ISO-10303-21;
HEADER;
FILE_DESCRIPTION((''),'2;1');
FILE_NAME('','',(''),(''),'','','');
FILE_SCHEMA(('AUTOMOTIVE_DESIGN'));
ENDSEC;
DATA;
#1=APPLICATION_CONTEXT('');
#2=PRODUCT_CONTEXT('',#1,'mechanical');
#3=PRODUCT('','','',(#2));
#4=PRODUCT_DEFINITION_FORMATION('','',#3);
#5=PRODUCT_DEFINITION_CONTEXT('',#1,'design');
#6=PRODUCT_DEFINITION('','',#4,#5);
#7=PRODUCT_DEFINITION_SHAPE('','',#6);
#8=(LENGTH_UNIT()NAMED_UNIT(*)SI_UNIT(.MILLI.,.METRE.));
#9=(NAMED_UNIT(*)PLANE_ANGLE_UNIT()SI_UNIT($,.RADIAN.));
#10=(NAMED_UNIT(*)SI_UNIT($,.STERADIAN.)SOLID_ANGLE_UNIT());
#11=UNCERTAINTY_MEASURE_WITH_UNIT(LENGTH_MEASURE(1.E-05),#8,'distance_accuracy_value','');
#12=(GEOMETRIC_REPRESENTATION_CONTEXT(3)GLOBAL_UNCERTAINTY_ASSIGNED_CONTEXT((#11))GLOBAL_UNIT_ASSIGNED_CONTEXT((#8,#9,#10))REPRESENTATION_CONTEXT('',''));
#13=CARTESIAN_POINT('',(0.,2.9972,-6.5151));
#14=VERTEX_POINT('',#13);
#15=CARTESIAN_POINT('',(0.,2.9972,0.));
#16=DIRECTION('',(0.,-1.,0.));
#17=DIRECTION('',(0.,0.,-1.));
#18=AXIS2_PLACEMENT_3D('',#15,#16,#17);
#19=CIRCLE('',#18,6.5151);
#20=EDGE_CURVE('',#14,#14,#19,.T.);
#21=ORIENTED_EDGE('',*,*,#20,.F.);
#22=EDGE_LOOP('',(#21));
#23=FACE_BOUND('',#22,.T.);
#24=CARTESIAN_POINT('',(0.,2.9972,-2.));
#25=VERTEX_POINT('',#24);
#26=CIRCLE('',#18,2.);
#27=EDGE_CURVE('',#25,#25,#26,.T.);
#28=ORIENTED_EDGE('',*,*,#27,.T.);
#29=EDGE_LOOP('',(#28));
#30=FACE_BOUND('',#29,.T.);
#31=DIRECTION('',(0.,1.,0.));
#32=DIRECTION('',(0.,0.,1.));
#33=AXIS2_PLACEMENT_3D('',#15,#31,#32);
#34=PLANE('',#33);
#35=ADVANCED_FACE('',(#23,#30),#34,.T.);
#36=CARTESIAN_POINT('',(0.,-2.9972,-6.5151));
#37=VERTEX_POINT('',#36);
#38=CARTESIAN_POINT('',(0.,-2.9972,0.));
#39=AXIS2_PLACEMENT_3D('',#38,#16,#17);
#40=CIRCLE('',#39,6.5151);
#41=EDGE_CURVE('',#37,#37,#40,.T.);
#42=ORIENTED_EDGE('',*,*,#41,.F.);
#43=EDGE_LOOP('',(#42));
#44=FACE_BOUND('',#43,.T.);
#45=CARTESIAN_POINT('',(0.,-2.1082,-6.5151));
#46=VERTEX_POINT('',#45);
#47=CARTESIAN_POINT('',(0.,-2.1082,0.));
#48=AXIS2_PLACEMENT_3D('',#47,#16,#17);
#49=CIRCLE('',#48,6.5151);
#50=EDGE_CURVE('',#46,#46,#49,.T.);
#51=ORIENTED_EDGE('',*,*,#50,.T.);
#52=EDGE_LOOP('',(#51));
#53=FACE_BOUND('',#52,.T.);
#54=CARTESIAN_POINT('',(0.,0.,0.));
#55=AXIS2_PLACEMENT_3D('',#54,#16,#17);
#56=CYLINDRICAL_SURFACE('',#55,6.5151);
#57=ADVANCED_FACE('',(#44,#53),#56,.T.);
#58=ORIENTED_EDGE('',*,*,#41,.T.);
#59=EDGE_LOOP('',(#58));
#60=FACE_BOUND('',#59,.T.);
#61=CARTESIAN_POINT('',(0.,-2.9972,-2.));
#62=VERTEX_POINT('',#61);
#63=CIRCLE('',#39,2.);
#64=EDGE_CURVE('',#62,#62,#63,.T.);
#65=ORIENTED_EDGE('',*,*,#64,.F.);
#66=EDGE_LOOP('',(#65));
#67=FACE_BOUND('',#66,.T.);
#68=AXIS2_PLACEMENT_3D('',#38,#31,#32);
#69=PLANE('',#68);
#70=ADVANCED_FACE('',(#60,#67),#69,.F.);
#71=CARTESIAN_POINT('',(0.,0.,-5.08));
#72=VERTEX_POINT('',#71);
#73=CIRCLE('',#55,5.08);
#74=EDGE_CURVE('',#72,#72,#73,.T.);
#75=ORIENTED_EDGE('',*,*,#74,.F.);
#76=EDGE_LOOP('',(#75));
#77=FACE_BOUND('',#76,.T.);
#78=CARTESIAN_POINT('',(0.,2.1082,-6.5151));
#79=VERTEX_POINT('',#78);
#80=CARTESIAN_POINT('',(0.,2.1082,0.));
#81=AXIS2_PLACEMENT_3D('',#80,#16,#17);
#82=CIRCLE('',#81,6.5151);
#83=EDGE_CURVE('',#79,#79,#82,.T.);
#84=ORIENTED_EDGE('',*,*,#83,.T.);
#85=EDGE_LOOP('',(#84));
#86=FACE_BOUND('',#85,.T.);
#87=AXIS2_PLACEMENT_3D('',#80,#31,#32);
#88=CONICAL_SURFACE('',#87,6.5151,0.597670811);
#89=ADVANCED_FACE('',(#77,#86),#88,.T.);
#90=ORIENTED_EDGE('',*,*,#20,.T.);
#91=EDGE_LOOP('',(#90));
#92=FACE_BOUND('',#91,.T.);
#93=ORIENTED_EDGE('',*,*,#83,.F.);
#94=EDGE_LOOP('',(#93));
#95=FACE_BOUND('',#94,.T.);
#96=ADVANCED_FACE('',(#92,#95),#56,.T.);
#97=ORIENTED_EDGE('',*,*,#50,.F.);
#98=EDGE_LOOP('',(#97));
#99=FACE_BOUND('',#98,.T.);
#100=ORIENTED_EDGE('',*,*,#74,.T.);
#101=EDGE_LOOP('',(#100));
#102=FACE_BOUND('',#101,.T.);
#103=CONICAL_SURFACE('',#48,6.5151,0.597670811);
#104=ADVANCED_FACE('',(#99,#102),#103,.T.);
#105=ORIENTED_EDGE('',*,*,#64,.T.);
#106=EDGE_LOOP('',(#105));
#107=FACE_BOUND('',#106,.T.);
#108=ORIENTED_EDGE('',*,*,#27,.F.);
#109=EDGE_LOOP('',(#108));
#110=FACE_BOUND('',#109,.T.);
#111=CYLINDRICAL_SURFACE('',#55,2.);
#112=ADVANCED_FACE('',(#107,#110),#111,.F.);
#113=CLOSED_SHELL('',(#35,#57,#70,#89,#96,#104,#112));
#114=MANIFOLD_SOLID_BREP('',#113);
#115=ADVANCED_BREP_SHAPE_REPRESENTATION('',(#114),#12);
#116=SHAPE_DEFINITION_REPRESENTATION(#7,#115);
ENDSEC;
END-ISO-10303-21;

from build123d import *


with BuildPart() as part:
    # Sketch1 → Revolve2 (revolve)
    with BuildSketch(Plane.XY):
        Polygon((-6.5151, -2.1082), (-6.5151, -2.9972), (-2, -2.9972), (-2, 2.9972), (-6.5151, 2.9972), (-6.5151, 2.1082), (-5.08, 0), align=None)
    revolve(axis=Axis((0, 0, 0), (0, 1, 0)))


solid = part.part
